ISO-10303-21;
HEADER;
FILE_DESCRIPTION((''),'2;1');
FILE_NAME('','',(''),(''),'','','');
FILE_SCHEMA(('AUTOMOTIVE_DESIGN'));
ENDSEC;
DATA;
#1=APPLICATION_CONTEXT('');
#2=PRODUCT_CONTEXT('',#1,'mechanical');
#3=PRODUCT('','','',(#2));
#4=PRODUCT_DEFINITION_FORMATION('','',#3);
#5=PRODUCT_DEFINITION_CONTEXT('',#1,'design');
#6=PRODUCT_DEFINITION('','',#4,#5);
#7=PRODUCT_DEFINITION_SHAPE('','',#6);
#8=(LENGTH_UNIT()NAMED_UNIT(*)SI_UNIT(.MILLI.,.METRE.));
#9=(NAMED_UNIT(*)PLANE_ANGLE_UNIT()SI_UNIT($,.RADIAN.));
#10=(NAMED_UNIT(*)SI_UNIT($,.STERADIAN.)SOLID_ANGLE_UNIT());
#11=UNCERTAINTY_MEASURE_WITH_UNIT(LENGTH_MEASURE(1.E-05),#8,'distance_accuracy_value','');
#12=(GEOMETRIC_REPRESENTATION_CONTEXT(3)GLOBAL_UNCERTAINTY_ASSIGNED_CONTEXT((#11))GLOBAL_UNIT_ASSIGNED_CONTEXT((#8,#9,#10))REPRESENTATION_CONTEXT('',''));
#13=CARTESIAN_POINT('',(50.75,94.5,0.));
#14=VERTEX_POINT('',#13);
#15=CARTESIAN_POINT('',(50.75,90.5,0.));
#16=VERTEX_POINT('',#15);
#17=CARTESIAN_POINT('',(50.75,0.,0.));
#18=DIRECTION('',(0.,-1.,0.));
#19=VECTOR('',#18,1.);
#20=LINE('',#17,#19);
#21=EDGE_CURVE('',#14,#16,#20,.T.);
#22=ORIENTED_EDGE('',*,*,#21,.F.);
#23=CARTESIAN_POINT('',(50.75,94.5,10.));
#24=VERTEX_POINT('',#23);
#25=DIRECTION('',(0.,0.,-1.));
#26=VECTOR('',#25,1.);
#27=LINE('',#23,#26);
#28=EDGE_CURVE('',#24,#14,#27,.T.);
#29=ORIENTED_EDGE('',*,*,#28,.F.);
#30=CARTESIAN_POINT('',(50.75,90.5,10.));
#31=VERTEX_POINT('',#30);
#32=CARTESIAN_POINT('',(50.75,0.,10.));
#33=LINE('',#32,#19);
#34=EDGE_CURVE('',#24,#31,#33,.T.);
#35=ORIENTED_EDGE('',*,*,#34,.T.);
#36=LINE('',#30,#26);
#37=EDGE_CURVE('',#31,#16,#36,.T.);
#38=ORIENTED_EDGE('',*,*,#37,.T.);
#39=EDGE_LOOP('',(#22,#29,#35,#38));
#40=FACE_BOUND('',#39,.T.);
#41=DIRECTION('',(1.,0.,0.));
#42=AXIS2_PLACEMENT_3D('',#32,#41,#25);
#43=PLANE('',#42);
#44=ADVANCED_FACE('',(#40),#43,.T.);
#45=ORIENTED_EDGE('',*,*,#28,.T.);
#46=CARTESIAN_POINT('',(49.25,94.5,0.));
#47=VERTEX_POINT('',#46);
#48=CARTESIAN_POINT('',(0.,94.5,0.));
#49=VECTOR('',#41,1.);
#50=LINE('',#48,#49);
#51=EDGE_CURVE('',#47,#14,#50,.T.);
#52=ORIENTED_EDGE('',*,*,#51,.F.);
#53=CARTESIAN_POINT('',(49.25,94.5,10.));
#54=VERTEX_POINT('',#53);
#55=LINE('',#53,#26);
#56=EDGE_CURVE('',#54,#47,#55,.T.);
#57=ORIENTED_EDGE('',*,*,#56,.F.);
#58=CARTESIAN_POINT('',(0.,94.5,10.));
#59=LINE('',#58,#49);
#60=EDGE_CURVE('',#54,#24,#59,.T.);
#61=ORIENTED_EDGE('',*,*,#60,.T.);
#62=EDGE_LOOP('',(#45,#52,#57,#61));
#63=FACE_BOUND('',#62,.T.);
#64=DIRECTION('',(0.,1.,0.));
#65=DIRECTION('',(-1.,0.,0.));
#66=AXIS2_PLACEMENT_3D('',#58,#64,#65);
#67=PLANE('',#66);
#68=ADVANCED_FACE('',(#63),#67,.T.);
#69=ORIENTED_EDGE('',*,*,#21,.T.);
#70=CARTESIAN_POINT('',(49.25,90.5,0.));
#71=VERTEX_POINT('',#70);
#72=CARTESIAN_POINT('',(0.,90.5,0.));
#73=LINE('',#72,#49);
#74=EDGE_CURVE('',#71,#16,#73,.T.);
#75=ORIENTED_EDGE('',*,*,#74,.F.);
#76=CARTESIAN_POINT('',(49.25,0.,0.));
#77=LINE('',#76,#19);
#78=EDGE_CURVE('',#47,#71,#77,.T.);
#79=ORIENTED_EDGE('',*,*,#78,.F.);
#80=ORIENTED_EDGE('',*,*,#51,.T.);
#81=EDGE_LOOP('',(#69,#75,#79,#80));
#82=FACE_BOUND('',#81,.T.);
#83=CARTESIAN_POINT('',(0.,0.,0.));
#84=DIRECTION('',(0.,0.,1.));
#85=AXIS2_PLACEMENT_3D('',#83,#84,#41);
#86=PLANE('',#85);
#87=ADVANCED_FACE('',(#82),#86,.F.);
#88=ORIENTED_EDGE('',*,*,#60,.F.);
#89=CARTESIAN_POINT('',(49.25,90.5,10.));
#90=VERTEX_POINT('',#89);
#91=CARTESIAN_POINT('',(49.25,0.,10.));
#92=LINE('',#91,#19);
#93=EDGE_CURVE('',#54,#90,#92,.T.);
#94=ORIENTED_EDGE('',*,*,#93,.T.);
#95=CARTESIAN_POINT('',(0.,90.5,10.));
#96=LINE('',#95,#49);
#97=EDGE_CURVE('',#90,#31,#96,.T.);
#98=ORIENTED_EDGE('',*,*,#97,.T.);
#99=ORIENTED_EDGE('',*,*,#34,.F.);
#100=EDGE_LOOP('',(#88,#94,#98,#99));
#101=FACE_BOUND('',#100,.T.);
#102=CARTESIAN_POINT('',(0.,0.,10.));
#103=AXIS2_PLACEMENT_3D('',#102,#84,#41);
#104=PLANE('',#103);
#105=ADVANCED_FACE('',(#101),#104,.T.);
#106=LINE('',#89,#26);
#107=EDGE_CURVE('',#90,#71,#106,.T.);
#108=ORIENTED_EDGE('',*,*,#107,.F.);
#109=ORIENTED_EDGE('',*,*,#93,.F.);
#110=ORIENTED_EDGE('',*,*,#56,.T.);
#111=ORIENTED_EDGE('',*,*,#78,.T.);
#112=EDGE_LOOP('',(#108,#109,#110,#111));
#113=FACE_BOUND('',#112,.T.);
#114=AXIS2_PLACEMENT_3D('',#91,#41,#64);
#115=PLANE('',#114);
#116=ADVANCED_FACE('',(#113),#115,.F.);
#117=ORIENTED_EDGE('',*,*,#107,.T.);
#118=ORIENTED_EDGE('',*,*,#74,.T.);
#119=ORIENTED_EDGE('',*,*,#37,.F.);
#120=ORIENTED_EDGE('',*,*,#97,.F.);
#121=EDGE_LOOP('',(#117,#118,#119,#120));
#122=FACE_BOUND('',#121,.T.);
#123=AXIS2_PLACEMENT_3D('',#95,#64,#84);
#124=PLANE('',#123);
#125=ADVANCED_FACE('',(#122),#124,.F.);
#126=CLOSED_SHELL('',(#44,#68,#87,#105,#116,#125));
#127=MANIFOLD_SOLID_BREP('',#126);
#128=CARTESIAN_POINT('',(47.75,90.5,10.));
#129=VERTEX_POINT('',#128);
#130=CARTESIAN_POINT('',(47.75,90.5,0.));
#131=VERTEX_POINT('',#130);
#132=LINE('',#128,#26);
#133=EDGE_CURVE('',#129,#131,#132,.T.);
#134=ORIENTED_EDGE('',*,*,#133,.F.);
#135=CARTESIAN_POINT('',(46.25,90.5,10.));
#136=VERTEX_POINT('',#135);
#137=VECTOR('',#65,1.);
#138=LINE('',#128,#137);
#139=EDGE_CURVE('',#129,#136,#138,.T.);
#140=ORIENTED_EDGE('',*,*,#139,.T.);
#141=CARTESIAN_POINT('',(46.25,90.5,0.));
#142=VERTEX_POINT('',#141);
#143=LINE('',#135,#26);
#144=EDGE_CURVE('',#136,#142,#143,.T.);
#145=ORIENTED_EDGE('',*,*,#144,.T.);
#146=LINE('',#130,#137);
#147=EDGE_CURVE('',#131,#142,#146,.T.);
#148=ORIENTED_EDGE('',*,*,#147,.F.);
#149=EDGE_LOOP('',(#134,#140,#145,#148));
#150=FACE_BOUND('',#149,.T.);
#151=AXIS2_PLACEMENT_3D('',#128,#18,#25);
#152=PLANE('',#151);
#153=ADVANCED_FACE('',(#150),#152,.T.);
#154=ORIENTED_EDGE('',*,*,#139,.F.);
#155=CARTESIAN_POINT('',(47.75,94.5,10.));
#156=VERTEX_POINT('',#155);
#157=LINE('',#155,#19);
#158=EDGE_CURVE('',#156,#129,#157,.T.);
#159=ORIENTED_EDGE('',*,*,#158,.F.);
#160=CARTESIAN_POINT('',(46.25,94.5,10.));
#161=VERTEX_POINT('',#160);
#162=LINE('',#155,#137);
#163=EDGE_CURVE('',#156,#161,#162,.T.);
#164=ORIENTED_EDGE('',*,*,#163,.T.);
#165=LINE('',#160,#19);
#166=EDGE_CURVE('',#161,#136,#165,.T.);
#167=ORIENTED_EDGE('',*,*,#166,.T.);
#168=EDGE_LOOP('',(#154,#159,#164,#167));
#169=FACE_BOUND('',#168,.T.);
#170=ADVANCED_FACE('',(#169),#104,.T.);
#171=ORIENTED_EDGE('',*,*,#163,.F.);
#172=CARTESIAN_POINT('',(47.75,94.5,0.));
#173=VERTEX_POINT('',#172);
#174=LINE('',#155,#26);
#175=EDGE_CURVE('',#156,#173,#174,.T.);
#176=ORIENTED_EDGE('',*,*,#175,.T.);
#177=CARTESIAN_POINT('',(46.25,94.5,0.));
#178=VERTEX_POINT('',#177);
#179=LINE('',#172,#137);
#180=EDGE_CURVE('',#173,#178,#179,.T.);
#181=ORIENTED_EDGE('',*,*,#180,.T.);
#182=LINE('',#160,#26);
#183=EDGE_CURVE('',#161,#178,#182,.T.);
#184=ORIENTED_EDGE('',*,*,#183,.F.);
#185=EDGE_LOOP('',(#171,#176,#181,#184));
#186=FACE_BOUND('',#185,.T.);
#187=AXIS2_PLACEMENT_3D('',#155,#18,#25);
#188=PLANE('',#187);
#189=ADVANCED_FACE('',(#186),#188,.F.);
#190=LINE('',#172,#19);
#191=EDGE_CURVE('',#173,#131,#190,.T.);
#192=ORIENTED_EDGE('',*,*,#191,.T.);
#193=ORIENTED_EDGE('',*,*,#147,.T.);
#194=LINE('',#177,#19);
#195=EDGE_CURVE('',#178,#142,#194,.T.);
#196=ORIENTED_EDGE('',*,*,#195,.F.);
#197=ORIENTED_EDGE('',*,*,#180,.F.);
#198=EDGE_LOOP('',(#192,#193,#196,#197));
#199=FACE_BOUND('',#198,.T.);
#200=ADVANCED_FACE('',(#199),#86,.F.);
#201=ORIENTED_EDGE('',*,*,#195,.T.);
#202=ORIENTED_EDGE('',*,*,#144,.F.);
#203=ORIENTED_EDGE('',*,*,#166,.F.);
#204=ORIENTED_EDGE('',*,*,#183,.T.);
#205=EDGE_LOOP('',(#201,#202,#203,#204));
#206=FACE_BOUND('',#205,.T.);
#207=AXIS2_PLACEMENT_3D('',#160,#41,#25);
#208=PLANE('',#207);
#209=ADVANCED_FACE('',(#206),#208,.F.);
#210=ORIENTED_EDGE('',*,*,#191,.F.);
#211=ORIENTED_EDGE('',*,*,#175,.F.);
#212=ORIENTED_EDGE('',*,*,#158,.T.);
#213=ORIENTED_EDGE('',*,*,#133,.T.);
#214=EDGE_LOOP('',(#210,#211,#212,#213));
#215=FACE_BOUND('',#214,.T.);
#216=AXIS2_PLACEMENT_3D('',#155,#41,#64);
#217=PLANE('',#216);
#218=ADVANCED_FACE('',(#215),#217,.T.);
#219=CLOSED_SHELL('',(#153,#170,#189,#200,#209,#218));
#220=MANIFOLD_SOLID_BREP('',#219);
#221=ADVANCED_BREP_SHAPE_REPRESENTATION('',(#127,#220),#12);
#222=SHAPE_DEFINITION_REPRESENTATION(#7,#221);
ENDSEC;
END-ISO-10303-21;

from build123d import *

# Parameters (mm, degrees)
MODEL_W           = 1.5
MODEL_H           = 4
EXTRUDE_1_DEPTH   = 10
EXTRUDE_1_2_DEPTH = 10


with BuildPart() as part:
    # Model → 凸台-拉伸1 (new body)
    with BuildSketch(Plane.XY):
        with Locations((50, 92.5)):
            Rectangle(MODEL_W, MODEL_H)
    extrude(amount=EXTRUDE_1_DEPTH)


with BuildPart() as body_2:
    # Model → Extrude 1 2 (new body)
    with BuildSketch(Plane.XY):
        with Locations((47, 92.5)):
            Rectangle(MODEL_W, MODEL_H)
    extrude(amount=EXTRUDE_1_2_DEPTH)


solid = Compound([part.part, body_2.part])
